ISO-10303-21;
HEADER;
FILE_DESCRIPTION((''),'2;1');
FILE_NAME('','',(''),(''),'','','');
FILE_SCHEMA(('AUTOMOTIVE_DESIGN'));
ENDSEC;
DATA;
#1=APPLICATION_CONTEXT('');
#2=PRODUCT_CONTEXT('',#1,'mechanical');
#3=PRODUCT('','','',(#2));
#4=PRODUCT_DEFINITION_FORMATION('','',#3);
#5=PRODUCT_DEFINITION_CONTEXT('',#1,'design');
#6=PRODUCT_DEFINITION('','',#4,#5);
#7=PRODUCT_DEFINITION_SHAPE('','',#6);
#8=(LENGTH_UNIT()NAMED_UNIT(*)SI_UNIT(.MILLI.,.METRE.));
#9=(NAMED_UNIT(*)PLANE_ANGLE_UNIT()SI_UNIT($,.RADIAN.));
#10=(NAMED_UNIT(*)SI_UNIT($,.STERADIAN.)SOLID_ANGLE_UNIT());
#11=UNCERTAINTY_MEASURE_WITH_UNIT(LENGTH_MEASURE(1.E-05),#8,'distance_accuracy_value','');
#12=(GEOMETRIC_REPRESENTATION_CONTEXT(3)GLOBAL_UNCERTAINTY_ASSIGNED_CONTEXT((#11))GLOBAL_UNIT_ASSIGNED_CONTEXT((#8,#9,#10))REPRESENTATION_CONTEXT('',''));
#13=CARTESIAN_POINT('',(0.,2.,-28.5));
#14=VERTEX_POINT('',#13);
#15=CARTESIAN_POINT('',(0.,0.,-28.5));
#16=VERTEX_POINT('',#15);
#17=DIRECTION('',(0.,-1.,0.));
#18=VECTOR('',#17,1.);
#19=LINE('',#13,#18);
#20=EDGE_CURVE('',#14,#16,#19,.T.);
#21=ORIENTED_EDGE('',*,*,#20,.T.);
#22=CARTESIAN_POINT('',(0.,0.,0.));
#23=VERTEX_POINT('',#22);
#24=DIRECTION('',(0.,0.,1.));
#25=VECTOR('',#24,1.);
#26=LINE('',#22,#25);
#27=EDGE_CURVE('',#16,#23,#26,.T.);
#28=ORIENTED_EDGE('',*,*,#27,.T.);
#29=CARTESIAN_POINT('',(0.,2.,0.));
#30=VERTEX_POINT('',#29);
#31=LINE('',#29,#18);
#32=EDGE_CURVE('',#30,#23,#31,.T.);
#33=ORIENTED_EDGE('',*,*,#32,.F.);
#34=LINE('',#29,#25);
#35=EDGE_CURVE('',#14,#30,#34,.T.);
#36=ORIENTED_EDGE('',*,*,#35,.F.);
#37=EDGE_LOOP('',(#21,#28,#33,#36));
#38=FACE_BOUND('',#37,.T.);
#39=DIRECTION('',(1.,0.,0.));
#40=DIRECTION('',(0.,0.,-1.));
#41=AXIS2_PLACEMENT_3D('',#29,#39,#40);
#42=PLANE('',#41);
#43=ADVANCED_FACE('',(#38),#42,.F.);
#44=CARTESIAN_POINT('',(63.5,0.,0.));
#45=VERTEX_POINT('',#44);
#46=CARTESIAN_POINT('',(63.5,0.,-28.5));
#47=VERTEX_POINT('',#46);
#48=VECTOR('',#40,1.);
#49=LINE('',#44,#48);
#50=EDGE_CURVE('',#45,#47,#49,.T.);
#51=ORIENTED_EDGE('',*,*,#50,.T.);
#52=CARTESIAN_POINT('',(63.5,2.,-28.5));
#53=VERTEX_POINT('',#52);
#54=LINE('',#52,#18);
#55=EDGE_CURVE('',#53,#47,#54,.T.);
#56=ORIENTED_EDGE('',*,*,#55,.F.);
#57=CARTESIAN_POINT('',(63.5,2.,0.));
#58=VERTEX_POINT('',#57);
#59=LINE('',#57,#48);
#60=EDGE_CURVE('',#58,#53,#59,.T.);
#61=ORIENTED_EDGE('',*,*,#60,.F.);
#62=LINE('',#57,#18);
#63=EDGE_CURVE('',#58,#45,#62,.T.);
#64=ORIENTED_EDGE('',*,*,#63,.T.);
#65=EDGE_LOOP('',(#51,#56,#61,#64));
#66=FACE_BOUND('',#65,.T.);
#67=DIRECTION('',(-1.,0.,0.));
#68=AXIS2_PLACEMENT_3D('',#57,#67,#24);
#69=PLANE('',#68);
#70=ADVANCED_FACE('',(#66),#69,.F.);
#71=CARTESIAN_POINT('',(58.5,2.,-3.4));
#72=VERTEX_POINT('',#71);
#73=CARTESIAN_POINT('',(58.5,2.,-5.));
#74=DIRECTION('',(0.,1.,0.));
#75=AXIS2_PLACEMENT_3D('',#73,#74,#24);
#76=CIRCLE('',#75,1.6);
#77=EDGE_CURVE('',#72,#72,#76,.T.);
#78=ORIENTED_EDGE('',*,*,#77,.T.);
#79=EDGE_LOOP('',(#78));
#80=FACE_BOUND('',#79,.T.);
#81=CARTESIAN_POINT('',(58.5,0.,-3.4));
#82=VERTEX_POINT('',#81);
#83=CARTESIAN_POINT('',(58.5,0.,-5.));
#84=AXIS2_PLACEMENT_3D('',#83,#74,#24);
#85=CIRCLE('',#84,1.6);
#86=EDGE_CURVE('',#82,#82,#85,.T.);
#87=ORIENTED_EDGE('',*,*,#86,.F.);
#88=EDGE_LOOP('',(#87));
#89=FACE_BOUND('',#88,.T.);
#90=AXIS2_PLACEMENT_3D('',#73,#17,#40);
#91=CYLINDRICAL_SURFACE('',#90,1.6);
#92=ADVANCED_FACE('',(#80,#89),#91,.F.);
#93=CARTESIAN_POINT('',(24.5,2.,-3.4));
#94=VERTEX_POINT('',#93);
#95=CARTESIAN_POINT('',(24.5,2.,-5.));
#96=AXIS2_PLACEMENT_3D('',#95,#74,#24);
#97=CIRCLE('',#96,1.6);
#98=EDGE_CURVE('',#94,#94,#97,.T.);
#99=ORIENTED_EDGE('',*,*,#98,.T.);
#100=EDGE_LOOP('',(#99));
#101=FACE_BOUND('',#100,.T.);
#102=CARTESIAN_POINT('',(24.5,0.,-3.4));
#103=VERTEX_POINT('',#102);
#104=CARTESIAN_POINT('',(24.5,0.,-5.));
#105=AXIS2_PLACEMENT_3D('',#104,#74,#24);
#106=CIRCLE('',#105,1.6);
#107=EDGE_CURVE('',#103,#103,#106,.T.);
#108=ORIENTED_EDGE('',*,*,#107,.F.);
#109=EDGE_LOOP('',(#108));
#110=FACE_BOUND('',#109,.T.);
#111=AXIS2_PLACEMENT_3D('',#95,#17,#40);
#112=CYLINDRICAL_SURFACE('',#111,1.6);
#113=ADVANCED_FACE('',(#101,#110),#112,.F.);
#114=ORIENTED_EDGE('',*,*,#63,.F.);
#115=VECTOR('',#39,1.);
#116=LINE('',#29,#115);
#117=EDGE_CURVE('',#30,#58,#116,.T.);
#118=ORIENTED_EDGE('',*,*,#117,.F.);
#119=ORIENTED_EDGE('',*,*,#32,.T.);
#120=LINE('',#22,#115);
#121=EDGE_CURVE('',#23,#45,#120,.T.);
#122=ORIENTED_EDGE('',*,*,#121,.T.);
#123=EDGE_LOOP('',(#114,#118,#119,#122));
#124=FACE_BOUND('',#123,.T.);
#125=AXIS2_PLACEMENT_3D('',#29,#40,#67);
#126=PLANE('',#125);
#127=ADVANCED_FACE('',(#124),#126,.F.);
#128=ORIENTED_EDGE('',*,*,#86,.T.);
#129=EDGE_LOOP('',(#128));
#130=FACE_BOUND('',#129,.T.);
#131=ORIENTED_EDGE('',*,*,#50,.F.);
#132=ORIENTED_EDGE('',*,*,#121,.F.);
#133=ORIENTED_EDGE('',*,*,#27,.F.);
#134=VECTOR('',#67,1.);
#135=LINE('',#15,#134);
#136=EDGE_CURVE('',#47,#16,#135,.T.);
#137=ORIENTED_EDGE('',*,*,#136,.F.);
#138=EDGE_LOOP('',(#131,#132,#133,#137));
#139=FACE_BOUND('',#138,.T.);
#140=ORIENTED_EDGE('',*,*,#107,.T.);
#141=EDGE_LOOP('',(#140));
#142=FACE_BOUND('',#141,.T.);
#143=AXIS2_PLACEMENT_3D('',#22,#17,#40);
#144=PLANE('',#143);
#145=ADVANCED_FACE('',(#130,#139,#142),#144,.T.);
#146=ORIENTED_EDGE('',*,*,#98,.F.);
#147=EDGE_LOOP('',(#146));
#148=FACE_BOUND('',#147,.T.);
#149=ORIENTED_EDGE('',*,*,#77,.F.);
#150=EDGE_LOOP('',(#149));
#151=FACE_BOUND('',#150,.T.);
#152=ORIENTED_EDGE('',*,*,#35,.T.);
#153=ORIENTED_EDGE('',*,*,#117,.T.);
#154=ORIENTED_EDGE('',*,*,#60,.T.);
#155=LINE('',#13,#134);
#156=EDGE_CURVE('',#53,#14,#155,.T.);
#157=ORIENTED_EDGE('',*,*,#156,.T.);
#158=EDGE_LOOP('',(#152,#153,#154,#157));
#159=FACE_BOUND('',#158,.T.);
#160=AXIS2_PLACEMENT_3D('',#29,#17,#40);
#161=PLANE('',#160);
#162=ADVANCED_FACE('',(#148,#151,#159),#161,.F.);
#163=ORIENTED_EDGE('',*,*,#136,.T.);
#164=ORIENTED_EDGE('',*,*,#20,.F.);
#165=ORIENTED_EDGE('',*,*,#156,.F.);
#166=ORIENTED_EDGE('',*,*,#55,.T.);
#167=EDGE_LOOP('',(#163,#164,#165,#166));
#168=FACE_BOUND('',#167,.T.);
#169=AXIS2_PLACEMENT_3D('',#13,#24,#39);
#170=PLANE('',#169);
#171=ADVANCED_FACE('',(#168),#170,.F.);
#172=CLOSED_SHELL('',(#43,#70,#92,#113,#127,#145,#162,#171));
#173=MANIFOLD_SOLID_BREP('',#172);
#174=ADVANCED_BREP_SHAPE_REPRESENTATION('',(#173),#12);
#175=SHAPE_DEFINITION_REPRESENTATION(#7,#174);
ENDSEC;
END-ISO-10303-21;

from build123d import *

# Parameters (mm, degrees)
SKETCH1_W           = 63.5
SKETCH1_H           = 28.5
SKETCH1_R           = 1.6
BOSS_EXTRUDE1_DEPTH = 2


with BuildPart() as part:
    # Sketch1 → Boss-Extrude1 (new body)
    with BuildSketch(Plane(origin=(0, 0, 0), x_dir=(1, 0, 0), z_dir=(0, 1, 0))):
        with Locations((31.75, 14.25)):
            Rectangle(SKETCH1_W, SKETCH1_H)
        with Locations(Location((58.5, 5, 0), (0, 0, 270))):
            Circle(SKETCH1_R, mode=Mode.SUBTRACT)
        with Locations(Location((24.5, 5, 0), (0, 0, 270))):
            Circle(SKETCH1_R, mode=Mode.SUBTRACT)
    extrude(amount=BOSS_EXTRUDE1_DEPTH)


solid = part.part
